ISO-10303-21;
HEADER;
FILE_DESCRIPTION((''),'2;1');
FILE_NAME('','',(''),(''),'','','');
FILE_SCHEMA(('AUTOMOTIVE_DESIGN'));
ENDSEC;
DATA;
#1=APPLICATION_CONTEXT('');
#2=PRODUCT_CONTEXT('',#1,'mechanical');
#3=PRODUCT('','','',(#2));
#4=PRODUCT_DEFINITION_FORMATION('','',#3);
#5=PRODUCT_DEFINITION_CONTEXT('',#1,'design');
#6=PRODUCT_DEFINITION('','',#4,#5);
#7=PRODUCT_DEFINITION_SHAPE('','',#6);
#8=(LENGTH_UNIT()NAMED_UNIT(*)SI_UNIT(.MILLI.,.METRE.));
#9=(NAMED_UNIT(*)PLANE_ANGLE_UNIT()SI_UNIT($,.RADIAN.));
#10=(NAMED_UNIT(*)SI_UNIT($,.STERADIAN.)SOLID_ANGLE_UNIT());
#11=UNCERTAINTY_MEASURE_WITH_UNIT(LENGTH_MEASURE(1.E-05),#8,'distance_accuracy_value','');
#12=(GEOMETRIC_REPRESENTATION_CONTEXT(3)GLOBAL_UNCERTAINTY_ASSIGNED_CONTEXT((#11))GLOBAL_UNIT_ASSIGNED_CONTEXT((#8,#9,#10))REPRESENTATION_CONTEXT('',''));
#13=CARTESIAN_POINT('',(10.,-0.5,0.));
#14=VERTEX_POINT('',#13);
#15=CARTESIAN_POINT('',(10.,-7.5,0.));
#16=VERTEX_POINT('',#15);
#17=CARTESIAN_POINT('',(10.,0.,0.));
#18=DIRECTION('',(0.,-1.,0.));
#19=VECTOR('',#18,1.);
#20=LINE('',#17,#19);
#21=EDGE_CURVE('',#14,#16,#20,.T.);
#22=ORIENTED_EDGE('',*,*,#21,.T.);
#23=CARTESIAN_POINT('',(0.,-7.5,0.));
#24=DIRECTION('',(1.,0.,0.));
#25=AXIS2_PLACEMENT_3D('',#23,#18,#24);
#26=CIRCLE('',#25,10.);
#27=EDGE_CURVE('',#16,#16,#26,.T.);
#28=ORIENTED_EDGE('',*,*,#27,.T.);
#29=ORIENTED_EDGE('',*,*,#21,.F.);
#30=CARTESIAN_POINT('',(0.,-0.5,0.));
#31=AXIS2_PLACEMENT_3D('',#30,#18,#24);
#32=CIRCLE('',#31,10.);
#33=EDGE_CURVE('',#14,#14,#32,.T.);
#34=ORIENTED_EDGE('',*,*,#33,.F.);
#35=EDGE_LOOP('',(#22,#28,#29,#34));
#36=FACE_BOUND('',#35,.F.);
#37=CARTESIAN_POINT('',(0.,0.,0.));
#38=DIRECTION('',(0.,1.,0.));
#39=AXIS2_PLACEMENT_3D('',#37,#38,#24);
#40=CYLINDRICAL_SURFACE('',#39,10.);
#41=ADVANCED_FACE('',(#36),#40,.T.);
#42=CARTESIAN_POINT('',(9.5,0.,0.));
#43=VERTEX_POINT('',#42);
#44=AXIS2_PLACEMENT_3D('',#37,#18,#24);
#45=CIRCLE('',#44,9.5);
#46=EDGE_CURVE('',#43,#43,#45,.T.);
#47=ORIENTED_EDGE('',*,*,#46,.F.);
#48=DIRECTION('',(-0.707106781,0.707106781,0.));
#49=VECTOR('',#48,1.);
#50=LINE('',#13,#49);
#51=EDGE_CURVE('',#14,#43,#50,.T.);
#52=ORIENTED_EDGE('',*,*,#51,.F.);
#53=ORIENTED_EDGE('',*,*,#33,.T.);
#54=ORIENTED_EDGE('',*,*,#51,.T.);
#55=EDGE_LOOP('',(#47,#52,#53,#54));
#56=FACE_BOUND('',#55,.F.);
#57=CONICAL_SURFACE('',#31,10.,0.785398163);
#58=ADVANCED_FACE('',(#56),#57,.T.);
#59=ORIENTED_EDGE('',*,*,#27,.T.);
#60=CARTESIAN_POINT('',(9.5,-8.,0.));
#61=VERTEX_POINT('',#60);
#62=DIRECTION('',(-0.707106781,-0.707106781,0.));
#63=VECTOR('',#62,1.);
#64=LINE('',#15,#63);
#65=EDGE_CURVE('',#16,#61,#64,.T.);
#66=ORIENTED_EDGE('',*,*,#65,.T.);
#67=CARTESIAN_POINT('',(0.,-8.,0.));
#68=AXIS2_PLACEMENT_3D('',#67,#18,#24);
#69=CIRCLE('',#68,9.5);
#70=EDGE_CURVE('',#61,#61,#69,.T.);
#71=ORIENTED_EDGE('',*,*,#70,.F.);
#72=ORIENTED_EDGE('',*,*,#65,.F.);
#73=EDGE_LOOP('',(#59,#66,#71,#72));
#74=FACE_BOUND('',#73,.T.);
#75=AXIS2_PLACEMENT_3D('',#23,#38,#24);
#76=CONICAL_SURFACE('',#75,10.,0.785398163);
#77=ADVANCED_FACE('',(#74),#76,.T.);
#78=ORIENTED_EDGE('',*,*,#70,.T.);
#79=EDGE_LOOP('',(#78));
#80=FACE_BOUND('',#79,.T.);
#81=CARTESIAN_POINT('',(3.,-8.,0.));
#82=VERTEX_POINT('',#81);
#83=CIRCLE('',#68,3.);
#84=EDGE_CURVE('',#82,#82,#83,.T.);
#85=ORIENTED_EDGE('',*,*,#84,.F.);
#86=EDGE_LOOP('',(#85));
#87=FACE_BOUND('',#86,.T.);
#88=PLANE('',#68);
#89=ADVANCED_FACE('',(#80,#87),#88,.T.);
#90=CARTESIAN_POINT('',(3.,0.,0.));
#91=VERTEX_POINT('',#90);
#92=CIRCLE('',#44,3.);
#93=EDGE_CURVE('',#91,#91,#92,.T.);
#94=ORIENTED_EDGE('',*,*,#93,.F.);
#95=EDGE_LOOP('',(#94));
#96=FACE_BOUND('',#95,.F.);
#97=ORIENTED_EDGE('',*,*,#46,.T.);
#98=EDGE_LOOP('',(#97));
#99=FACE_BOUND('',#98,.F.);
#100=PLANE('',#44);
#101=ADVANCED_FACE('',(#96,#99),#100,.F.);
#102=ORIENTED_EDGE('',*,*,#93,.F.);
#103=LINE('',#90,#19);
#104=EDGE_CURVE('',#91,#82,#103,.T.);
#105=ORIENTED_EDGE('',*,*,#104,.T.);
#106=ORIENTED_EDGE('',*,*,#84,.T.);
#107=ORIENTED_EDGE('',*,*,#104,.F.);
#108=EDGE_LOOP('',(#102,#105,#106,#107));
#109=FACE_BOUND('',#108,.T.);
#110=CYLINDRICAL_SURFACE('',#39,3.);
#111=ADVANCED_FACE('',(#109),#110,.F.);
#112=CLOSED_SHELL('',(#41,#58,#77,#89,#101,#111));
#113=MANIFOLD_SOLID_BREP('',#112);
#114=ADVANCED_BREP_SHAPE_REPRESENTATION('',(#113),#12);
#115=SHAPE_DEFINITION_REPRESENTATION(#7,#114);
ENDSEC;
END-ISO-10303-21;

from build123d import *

# Parameters (mm, degrees)
F0_R     = 10
F0_R_2   = 3
F1_DEPTH = 8
F2_SIZE  = 0.5


with BuildPart() as f1:
    # F0 (on Front) → F1 (new body)
    with BuildSketch(Plane.XZ):
        Circle(F0_R)
        Circle(F0_R_2, mode=Mode.SUBTRACT)
    extrude(amount=F1_DEPTH)

    # F2
    f2_edges = [f1.edges().sort_by_distance(p)[0] for p in [
        (-10, -8, 0),
        (-10, 0, 0),
    ]]
    chamfer(f2_edges, length=F2_SIZE)


solid = f1.part
